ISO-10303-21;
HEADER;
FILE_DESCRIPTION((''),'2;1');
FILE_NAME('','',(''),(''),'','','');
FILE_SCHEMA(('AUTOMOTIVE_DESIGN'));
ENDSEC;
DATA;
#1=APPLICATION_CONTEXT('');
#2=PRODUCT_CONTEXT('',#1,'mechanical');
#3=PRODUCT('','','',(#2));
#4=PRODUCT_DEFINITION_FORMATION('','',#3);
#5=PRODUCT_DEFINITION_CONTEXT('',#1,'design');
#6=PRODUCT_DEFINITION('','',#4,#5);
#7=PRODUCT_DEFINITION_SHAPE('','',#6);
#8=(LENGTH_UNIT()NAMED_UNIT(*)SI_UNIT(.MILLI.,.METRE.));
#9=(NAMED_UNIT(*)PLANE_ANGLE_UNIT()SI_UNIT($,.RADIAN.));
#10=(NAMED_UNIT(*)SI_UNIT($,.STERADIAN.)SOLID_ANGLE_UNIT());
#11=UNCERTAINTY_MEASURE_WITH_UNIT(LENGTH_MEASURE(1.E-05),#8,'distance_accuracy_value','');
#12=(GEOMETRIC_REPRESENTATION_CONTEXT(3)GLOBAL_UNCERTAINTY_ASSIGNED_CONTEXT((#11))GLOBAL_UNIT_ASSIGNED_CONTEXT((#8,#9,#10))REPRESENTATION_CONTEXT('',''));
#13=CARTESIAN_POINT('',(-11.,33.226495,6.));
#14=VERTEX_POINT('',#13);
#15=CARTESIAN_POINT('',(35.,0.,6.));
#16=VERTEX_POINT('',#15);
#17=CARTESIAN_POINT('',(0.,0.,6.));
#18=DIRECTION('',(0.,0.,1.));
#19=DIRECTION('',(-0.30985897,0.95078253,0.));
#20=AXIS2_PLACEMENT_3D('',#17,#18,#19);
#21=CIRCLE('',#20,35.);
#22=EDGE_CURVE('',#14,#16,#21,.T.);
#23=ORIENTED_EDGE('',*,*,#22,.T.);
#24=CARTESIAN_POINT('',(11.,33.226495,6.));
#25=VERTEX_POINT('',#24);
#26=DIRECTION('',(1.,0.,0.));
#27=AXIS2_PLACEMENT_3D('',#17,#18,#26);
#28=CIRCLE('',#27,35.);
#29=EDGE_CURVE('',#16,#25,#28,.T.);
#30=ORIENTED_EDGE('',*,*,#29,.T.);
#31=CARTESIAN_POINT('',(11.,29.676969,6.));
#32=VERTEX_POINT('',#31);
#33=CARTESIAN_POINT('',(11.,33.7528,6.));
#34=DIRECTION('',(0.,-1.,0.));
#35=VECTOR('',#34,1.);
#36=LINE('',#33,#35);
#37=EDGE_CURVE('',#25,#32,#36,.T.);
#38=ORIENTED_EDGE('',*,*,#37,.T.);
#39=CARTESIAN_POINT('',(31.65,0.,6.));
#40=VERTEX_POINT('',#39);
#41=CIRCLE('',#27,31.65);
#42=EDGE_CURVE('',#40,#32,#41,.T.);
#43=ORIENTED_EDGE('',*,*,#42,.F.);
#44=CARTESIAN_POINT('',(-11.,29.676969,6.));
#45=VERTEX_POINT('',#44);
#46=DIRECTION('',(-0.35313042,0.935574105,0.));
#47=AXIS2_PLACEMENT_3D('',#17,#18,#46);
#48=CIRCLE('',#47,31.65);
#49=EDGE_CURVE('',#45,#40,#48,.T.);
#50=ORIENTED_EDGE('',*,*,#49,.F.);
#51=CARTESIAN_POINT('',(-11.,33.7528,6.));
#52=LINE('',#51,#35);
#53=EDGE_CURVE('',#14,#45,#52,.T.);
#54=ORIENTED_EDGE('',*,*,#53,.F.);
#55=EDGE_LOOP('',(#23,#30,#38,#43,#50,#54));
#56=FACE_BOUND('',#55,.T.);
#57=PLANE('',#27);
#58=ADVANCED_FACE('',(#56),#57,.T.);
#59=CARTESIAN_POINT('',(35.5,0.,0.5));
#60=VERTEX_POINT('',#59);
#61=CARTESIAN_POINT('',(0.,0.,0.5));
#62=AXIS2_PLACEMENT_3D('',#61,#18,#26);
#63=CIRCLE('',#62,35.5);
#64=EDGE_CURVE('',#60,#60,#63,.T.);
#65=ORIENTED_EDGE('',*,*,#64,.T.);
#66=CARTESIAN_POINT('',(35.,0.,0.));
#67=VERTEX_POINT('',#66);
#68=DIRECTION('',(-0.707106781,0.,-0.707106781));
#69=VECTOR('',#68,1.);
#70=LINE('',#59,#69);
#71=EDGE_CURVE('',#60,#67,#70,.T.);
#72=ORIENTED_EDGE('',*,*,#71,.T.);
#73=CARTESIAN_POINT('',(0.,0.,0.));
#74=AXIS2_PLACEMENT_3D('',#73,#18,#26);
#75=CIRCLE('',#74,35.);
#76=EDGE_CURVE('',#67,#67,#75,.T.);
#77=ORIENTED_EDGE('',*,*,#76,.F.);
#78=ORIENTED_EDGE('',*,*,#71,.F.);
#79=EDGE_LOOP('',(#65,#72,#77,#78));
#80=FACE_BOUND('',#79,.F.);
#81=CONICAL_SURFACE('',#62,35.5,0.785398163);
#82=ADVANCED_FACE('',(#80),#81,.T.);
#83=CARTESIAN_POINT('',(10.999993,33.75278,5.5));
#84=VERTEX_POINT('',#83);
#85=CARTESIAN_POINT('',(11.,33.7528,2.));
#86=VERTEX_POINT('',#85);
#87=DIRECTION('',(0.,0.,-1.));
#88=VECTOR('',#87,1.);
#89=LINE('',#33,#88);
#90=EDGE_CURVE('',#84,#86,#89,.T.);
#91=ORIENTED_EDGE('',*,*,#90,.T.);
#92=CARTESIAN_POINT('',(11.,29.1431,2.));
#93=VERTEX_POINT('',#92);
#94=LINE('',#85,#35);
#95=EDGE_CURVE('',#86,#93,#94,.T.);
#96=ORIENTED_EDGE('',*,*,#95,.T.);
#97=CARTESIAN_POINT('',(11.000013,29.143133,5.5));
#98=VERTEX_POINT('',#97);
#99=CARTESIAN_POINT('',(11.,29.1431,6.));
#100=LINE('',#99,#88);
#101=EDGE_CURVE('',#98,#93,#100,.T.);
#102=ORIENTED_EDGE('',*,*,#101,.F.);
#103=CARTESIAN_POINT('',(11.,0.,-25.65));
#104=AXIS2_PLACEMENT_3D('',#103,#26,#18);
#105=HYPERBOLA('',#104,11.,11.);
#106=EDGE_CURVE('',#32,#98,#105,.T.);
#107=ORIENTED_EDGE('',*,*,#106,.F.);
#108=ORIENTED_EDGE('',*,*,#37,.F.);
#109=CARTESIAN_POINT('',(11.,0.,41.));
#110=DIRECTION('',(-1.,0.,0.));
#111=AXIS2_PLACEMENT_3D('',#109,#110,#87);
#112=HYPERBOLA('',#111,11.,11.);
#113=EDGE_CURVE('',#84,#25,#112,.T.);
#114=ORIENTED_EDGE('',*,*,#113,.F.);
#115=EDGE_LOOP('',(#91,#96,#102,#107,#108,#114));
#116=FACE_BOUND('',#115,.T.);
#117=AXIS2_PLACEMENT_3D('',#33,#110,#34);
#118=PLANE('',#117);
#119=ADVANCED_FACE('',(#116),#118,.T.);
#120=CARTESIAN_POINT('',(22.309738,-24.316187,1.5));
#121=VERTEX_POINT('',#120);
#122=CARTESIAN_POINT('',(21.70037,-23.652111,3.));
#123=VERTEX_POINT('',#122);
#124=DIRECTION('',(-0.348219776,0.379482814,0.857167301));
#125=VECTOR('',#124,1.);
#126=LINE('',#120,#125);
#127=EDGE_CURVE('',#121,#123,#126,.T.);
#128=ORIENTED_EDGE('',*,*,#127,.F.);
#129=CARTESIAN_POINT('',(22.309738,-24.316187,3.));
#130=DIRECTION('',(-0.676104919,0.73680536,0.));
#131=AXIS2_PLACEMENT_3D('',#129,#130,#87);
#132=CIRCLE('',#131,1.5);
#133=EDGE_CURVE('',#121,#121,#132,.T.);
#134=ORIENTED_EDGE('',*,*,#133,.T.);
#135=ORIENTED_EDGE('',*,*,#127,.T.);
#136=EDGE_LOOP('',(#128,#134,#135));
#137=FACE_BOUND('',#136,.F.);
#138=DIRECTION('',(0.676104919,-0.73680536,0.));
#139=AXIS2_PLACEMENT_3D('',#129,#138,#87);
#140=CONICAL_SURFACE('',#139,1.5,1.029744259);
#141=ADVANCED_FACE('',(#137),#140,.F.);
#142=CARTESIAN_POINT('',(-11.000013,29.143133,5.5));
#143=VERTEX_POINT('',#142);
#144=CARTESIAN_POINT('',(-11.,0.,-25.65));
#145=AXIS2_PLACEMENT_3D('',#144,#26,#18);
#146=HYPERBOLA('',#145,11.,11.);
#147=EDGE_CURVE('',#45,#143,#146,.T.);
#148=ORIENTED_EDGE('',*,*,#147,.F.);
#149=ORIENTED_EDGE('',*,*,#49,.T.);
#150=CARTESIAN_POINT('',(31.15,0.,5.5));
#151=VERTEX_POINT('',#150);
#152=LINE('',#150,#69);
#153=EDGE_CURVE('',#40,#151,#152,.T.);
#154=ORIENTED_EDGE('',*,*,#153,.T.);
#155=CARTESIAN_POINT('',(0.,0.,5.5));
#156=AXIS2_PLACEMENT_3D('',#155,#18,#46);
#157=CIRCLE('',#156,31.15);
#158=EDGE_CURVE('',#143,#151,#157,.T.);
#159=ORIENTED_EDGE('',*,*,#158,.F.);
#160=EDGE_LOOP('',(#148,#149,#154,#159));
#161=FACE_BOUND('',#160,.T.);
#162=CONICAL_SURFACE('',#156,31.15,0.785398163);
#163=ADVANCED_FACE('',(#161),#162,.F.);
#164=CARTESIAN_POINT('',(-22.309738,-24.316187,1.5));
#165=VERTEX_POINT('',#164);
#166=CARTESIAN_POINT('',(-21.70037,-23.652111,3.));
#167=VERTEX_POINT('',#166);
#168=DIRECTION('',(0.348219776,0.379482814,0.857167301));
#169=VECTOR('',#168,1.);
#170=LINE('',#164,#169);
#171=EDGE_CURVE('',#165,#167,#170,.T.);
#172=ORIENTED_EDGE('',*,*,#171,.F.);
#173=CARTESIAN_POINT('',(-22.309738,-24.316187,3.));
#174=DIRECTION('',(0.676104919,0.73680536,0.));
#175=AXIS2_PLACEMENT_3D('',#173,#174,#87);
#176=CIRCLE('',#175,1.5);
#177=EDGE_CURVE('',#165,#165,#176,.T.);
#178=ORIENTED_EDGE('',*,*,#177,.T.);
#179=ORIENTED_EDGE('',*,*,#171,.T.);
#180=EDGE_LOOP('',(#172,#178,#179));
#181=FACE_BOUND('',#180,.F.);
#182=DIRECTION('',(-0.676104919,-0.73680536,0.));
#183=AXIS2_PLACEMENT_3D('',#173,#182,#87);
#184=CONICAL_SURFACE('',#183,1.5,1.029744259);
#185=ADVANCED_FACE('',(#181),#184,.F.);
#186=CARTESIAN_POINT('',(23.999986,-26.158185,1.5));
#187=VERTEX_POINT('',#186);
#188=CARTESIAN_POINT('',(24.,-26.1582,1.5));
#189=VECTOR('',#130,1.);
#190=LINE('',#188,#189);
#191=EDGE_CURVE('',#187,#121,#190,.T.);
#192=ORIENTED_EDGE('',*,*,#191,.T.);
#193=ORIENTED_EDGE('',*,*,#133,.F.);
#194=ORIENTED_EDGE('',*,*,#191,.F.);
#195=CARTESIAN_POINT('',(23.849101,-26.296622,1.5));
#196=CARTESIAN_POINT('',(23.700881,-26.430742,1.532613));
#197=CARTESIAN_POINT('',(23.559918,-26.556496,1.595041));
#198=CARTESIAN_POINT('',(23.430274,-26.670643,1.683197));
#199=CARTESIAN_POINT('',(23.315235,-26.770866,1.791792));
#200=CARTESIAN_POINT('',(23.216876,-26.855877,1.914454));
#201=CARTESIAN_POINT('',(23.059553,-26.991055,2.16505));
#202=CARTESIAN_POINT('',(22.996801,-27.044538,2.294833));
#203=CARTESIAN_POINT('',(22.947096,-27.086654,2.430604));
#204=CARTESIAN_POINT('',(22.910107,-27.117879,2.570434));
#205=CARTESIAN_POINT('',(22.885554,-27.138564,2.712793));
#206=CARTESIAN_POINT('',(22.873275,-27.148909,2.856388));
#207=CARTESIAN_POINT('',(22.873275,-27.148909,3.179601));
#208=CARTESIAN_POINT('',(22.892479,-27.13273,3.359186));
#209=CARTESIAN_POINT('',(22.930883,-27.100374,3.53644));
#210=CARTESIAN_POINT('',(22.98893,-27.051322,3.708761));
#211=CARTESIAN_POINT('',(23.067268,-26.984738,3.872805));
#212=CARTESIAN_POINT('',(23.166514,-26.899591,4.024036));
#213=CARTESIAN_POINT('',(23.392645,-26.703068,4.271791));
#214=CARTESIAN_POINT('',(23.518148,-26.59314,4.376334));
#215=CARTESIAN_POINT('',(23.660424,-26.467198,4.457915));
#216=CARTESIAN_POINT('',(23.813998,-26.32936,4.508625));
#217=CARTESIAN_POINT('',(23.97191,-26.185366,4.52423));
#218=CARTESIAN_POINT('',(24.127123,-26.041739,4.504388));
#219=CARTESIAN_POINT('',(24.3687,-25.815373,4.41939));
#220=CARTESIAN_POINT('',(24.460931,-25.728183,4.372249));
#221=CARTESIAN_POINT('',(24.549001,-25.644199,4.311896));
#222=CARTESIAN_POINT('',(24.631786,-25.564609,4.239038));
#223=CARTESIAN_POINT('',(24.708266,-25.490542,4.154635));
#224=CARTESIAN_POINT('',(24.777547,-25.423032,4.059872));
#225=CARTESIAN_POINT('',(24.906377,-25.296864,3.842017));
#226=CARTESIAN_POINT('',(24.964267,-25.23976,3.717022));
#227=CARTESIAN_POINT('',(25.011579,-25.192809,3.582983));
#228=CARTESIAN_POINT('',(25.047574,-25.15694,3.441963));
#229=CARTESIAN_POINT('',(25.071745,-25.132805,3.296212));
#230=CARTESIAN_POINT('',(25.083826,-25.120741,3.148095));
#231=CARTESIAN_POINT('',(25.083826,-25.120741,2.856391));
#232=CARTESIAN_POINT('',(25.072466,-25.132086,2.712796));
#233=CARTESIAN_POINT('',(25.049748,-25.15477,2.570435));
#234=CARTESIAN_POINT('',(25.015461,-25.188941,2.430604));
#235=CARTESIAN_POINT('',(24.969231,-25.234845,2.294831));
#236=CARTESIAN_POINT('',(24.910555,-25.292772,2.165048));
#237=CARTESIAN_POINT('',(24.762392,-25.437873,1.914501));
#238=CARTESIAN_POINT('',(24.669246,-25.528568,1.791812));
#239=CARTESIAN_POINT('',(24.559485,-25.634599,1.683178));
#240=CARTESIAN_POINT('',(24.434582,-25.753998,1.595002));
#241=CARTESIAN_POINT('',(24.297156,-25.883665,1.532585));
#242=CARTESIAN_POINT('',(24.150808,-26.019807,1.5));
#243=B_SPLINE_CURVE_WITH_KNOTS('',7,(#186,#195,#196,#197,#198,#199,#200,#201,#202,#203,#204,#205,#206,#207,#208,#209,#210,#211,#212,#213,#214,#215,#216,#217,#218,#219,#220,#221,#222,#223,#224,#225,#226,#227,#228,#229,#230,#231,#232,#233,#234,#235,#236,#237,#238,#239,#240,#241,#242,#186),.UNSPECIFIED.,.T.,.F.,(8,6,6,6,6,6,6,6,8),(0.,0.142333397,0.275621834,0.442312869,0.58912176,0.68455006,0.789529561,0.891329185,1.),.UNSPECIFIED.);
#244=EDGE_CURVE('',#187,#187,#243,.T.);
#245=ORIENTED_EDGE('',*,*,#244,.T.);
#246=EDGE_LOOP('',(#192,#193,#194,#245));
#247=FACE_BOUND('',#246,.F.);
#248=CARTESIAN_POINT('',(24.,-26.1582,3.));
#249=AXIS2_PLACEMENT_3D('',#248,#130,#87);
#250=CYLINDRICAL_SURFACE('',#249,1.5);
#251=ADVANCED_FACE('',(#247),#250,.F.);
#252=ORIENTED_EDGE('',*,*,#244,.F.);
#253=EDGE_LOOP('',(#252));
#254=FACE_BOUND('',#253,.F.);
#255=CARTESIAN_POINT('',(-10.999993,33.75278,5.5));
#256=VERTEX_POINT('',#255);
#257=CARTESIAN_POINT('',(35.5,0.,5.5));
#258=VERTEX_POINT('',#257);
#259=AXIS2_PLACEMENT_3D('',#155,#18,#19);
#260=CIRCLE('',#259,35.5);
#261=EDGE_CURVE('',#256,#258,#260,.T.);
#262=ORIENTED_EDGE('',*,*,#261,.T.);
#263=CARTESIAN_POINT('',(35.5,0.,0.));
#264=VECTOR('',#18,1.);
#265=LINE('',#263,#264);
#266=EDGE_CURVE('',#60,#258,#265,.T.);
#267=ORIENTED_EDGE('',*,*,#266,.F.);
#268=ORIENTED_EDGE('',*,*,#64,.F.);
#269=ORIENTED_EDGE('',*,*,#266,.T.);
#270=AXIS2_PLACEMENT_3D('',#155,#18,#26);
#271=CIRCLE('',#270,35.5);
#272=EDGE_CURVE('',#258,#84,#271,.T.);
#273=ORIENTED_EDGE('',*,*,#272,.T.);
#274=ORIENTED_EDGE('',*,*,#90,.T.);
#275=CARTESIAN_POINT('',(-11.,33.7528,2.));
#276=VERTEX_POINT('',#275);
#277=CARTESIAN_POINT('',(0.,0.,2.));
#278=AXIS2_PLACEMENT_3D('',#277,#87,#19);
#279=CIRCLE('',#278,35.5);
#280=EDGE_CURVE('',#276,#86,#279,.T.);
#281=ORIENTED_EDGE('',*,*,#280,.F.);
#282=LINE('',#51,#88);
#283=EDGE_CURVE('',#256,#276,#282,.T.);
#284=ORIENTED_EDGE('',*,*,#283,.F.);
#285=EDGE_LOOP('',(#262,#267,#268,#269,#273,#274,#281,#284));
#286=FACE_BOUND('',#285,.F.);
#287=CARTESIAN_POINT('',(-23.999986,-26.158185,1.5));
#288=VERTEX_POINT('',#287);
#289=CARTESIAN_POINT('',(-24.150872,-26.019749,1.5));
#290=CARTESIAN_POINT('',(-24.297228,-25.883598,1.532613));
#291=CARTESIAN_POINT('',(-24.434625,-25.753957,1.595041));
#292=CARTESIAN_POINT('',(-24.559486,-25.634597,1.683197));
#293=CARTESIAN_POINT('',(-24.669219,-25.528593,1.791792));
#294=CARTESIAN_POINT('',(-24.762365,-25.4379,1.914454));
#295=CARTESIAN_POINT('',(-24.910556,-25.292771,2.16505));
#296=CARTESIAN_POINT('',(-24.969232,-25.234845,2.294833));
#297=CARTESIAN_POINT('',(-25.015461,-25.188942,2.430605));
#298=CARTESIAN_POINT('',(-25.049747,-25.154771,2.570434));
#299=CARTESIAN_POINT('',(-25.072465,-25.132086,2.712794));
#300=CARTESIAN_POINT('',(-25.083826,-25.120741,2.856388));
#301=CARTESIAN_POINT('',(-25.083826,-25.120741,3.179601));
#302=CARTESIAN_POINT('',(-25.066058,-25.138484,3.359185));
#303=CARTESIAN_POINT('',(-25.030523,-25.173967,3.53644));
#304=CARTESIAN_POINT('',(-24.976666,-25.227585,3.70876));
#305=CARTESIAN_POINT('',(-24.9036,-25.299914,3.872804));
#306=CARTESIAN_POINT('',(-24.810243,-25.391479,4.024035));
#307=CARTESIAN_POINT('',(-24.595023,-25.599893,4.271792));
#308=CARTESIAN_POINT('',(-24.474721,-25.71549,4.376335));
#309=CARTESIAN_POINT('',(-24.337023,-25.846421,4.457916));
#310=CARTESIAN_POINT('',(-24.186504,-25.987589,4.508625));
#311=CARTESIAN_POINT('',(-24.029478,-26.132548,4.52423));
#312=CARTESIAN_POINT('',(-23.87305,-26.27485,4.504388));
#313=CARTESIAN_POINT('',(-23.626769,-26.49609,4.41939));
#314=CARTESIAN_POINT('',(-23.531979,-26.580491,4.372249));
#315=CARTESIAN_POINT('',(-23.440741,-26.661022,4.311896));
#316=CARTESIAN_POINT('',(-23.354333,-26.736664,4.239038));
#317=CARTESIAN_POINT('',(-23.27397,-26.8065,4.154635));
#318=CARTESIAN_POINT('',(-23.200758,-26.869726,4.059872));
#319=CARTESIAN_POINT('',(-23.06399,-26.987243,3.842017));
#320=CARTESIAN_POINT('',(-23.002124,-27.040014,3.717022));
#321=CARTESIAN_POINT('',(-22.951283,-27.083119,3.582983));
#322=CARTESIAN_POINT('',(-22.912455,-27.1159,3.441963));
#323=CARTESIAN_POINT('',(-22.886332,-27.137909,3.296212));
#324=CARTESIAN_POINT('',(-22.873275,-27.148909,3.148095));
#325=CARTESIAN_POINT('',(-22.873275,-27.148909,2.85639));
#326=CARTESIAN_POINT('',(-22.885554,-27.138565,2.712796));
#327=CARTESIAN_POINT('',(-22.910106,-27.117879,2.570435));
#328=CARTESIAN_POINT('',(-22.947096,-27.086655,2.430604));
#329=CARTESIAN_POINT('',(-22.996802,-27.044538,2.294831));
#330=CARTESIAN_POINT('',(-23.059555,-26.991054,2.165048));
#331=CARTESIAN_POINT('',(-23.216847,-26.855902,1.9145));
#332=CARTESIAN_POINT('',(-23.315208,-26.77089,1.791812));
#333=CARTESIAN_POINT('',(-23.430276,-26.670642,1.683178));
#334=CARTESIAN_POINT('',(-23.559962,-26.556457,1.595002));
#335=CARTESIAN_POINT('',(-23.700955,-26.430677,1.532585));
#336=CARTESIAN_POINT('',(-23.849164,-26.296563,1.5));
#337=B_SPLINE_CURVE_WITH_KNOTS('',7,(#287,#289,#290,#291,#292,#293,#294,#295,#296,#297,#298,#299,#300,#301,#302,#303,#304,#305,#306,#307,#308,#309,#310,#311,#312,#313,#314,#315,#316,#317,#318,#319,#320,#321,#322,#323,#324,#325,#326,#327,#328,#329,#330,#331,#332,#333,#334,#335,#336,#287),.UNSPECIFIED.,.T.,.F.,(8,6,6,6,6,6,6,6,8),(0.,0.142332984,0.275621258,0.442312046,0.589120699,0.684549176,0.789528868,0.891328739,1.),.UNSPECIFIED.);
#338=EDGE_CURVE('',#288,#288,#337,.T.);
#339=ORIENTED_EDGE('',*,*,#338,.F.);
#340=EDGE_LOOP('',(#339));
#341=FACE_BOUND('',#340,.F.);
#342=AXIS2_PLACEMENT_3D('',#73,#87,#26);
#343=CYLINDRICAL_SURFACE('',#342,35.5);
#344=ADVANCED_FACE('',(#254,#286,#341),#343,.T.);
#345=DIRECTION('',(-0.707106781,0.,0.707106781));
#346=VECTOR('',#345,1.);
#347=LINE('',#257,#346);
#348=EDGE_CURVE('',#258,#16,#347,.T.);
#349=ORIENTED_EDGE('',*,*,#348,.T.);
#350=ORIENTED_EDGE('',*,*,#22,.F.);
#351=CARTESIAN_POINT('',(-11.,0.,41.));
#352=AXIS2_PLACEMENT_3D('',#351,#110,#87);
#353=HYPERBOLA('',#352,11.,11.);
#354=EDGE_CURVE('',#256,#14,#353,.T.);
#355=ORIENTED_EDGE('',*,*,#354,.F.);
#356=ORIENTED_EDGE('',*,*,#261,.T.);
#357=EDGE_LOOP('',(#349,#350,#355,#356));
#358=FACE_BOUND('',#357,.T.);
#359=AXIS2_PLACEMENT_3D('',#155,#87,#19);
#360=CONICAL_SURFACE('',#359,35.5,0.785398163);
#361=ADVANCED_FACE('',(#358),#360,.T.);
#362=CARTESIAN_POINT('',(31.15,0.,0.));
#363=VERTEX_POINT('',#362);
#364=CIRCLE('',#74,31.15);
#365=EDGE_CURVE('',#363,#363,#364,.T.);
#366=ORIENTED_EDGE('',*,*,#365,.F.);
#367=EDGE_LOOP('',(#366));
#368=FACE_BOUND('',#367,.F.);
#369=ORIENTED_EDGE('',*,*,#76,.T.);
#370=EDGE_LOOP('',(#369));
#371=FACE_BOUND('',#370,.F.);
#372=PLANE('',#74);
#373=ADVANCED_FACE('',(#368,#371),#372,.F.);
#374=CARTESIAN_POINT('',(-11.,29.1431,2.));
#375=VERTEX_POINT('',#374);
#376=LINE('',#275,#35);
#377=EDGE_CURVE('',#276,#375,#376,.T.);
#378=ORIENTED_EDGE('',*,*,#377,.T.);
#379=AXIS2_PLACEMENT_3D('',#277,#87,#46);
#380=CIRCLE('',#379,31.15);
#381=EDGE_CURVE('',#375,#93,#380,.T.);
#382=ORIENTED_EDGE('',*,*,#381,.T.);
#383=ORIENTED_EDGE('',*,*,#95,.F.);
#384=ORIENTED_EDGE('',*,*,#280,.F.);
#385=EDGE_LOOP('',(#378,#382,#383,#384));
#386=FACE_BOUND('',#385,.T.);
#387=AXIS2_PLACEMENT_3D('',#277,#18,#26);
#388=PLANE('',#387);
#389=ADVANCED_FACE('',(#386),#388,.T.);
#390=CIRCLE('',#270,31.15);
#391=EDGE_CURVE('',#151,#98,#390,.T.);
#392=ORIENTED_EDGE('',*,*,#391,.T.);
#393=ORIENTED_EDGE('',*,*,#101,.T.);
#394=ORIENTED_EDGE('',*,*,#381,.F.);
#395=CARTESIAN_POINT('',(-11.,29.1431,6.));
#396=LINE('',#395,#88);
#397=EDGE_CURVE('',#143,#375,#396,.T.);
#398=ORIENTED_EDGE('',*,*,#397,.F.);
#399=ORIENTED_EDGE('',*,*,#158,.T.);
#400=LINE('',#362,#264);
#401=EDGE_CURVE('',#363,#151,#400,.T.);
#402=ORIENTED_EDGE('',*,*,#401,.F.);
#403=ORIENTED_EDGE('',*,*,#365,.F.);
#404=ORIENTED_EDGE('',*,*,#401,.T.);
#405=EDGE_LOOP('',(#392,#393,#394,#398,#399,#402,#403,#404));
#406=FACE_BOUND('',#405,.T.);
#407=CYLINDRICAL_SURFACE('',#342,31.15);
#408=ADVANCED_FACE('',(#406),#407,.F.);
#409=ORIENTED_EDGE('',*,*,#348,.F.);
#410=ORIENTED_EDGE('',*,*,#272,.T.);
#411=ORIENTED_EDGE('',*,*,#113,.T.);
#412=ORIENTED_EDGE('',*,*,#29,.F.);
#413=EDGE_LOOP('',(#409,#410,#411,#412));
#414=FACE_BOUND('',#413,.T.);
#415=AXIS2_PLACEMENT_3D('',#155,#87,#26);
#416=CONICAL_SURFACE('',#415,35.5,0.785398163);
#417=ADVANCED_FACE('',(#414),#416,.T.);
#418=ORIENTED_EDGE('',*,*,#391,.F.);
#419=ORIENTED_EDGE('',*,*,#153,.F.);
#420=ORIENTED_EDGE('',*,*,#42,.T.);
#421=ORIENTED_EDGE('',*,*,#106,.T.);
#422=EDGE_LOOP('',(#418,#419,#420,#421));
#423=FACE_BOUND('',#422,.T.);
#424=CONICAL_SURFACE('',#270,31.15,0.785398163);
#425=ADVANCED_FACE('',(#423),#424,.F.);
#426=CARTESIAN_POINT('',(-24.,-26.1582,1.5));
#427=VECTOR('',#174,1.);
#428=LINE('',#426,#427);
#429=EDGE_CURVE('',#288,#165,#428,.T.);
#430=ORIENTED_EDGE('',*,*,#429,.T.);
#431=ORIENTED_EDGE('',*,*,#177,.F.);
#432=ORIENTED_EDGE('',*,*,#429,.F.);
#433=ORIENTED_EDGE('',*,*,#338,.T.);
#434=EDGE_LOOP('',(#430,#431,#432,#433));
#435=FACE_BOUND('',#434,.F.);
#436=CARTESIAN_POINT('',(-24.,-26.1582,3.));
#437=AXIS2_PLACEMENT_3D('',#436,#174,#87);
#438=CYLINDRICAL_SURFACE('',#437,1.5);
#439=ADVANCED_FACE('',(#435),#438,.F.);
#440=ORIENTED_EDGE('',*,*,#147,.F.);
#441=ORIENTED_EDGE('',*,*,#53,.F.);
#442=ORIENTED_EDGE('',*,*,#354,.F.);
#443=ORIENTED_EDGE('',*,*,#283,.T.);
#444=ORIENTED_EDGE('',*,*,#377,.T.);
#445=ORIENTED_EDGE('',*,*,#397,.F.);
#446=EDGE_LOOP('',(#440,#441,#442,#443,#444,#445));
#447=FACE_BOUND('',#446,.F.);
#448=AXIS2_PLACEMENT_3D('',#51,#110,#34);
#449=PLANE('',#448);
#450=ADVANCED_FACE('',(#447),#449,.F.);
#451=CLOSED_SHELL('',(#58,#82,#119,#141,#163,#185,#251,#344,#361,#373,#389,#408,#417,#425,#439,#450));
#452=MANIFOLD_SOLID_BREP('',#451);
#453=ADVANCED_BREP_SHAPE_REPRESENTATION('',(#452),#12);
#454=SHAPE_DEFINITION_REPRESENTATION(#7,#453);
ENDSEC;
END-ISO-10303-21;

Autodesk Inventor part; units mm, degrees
sketch "草圖1" plane through (0, 0, 0) normal (0, 0, 1) x (1, 0, 0)
  circle A0 centre (0, 0) radius 35.5
  circle A1 centre (0, 0) radius 31.15
  dimension "d0" = 71
  dimension "d3" = 62.3
extrude "擠出1" add sketch "草圖1" along normal blind 6
sketch "草圖2" plane through (0, 0, 6) normal (0, 0, 1) x (1, 0, 0)
  circle A0 centre (0, 0) radius 31.15 projected
  circle A1 centre (0, 0) radius 35.5 projected
  line L0 (0, 0) -> (0, 35.5)
  line L1 (11, 33.7528) -> (11, 29.1431)
  line L2 (-11, 33.7528) -> (-11, 29.1431)
  dimension "d6" = 22
extrude "擠出2" cut sketch "草圖2" against normal blind 4 contours A0 L0 A1 L1 | L2 A1 L0 A0
ref_plane "工作平面1" through (0, 0, 3) normal (0, 0, 1) x (1, 0, 0)
sketch "草圖3" plane through (0, 0, 3) normal (0, 0, 1) x (1, 0, 0)
  line L0 (0, 0) -> (0, -42.4806)
  line L1 (0, 0) -> (-24, -26.1582)
  line L2 (0, 0) -> (24, -26.1582)
  arc A0 (-11, 33.7528) -> (11, 33.7528) centre (0, 0) ccw projected
  line L3 (-24, -26.1582) -> (24, -26.1582)
  dimension "d9" = 48
ref_plane "工作平面2" through (24, -26.1582, 3) normal (0.6761, -0.7368, 0) x (0.7368, 0.6761, 0)
ref_plane "工作平面3" through (-24, -26.1582, 3) normal (-0.6761, -0.7368, 0) x (0.7368, -0.6761, 0)
sketch "草圖4" plane through (24, -26.1582, 3) normal (0.6761, -0.7368, 0) x (0.7368, 0.6761, 0)
  point P0 (0, -3)
  point P1 (0, 0)
hole "孔1" at (24, -26.1582, 3) direction (-0.6761, 0.7368, 0) diameter 3 depth 2.5 tip angle 118
sketch "草圖5" plane through (-24, -26.1582, 3) normal (-0.6761, -0.7368, 0) x (0.7368, -0.6761, 0)
  point P0 (0, -3)
  point P1 (0, 0)
hole "孔2" at (-24, -26.1582, 3) direction (0.6761, 0.7368, 0) diameter 3 depth 2.5 tip angle 118
chamfer "倒角1" distance 0.5 angle 45 5 edges at (-17.7154, -25.622, 6) (25.622, 17.7154, 6) (-35.5, 0, 0) (-20.8537, -28.7293, 6) (28.7293, 20.8537, 6)
properties part number "KE-SP-02-P1"
